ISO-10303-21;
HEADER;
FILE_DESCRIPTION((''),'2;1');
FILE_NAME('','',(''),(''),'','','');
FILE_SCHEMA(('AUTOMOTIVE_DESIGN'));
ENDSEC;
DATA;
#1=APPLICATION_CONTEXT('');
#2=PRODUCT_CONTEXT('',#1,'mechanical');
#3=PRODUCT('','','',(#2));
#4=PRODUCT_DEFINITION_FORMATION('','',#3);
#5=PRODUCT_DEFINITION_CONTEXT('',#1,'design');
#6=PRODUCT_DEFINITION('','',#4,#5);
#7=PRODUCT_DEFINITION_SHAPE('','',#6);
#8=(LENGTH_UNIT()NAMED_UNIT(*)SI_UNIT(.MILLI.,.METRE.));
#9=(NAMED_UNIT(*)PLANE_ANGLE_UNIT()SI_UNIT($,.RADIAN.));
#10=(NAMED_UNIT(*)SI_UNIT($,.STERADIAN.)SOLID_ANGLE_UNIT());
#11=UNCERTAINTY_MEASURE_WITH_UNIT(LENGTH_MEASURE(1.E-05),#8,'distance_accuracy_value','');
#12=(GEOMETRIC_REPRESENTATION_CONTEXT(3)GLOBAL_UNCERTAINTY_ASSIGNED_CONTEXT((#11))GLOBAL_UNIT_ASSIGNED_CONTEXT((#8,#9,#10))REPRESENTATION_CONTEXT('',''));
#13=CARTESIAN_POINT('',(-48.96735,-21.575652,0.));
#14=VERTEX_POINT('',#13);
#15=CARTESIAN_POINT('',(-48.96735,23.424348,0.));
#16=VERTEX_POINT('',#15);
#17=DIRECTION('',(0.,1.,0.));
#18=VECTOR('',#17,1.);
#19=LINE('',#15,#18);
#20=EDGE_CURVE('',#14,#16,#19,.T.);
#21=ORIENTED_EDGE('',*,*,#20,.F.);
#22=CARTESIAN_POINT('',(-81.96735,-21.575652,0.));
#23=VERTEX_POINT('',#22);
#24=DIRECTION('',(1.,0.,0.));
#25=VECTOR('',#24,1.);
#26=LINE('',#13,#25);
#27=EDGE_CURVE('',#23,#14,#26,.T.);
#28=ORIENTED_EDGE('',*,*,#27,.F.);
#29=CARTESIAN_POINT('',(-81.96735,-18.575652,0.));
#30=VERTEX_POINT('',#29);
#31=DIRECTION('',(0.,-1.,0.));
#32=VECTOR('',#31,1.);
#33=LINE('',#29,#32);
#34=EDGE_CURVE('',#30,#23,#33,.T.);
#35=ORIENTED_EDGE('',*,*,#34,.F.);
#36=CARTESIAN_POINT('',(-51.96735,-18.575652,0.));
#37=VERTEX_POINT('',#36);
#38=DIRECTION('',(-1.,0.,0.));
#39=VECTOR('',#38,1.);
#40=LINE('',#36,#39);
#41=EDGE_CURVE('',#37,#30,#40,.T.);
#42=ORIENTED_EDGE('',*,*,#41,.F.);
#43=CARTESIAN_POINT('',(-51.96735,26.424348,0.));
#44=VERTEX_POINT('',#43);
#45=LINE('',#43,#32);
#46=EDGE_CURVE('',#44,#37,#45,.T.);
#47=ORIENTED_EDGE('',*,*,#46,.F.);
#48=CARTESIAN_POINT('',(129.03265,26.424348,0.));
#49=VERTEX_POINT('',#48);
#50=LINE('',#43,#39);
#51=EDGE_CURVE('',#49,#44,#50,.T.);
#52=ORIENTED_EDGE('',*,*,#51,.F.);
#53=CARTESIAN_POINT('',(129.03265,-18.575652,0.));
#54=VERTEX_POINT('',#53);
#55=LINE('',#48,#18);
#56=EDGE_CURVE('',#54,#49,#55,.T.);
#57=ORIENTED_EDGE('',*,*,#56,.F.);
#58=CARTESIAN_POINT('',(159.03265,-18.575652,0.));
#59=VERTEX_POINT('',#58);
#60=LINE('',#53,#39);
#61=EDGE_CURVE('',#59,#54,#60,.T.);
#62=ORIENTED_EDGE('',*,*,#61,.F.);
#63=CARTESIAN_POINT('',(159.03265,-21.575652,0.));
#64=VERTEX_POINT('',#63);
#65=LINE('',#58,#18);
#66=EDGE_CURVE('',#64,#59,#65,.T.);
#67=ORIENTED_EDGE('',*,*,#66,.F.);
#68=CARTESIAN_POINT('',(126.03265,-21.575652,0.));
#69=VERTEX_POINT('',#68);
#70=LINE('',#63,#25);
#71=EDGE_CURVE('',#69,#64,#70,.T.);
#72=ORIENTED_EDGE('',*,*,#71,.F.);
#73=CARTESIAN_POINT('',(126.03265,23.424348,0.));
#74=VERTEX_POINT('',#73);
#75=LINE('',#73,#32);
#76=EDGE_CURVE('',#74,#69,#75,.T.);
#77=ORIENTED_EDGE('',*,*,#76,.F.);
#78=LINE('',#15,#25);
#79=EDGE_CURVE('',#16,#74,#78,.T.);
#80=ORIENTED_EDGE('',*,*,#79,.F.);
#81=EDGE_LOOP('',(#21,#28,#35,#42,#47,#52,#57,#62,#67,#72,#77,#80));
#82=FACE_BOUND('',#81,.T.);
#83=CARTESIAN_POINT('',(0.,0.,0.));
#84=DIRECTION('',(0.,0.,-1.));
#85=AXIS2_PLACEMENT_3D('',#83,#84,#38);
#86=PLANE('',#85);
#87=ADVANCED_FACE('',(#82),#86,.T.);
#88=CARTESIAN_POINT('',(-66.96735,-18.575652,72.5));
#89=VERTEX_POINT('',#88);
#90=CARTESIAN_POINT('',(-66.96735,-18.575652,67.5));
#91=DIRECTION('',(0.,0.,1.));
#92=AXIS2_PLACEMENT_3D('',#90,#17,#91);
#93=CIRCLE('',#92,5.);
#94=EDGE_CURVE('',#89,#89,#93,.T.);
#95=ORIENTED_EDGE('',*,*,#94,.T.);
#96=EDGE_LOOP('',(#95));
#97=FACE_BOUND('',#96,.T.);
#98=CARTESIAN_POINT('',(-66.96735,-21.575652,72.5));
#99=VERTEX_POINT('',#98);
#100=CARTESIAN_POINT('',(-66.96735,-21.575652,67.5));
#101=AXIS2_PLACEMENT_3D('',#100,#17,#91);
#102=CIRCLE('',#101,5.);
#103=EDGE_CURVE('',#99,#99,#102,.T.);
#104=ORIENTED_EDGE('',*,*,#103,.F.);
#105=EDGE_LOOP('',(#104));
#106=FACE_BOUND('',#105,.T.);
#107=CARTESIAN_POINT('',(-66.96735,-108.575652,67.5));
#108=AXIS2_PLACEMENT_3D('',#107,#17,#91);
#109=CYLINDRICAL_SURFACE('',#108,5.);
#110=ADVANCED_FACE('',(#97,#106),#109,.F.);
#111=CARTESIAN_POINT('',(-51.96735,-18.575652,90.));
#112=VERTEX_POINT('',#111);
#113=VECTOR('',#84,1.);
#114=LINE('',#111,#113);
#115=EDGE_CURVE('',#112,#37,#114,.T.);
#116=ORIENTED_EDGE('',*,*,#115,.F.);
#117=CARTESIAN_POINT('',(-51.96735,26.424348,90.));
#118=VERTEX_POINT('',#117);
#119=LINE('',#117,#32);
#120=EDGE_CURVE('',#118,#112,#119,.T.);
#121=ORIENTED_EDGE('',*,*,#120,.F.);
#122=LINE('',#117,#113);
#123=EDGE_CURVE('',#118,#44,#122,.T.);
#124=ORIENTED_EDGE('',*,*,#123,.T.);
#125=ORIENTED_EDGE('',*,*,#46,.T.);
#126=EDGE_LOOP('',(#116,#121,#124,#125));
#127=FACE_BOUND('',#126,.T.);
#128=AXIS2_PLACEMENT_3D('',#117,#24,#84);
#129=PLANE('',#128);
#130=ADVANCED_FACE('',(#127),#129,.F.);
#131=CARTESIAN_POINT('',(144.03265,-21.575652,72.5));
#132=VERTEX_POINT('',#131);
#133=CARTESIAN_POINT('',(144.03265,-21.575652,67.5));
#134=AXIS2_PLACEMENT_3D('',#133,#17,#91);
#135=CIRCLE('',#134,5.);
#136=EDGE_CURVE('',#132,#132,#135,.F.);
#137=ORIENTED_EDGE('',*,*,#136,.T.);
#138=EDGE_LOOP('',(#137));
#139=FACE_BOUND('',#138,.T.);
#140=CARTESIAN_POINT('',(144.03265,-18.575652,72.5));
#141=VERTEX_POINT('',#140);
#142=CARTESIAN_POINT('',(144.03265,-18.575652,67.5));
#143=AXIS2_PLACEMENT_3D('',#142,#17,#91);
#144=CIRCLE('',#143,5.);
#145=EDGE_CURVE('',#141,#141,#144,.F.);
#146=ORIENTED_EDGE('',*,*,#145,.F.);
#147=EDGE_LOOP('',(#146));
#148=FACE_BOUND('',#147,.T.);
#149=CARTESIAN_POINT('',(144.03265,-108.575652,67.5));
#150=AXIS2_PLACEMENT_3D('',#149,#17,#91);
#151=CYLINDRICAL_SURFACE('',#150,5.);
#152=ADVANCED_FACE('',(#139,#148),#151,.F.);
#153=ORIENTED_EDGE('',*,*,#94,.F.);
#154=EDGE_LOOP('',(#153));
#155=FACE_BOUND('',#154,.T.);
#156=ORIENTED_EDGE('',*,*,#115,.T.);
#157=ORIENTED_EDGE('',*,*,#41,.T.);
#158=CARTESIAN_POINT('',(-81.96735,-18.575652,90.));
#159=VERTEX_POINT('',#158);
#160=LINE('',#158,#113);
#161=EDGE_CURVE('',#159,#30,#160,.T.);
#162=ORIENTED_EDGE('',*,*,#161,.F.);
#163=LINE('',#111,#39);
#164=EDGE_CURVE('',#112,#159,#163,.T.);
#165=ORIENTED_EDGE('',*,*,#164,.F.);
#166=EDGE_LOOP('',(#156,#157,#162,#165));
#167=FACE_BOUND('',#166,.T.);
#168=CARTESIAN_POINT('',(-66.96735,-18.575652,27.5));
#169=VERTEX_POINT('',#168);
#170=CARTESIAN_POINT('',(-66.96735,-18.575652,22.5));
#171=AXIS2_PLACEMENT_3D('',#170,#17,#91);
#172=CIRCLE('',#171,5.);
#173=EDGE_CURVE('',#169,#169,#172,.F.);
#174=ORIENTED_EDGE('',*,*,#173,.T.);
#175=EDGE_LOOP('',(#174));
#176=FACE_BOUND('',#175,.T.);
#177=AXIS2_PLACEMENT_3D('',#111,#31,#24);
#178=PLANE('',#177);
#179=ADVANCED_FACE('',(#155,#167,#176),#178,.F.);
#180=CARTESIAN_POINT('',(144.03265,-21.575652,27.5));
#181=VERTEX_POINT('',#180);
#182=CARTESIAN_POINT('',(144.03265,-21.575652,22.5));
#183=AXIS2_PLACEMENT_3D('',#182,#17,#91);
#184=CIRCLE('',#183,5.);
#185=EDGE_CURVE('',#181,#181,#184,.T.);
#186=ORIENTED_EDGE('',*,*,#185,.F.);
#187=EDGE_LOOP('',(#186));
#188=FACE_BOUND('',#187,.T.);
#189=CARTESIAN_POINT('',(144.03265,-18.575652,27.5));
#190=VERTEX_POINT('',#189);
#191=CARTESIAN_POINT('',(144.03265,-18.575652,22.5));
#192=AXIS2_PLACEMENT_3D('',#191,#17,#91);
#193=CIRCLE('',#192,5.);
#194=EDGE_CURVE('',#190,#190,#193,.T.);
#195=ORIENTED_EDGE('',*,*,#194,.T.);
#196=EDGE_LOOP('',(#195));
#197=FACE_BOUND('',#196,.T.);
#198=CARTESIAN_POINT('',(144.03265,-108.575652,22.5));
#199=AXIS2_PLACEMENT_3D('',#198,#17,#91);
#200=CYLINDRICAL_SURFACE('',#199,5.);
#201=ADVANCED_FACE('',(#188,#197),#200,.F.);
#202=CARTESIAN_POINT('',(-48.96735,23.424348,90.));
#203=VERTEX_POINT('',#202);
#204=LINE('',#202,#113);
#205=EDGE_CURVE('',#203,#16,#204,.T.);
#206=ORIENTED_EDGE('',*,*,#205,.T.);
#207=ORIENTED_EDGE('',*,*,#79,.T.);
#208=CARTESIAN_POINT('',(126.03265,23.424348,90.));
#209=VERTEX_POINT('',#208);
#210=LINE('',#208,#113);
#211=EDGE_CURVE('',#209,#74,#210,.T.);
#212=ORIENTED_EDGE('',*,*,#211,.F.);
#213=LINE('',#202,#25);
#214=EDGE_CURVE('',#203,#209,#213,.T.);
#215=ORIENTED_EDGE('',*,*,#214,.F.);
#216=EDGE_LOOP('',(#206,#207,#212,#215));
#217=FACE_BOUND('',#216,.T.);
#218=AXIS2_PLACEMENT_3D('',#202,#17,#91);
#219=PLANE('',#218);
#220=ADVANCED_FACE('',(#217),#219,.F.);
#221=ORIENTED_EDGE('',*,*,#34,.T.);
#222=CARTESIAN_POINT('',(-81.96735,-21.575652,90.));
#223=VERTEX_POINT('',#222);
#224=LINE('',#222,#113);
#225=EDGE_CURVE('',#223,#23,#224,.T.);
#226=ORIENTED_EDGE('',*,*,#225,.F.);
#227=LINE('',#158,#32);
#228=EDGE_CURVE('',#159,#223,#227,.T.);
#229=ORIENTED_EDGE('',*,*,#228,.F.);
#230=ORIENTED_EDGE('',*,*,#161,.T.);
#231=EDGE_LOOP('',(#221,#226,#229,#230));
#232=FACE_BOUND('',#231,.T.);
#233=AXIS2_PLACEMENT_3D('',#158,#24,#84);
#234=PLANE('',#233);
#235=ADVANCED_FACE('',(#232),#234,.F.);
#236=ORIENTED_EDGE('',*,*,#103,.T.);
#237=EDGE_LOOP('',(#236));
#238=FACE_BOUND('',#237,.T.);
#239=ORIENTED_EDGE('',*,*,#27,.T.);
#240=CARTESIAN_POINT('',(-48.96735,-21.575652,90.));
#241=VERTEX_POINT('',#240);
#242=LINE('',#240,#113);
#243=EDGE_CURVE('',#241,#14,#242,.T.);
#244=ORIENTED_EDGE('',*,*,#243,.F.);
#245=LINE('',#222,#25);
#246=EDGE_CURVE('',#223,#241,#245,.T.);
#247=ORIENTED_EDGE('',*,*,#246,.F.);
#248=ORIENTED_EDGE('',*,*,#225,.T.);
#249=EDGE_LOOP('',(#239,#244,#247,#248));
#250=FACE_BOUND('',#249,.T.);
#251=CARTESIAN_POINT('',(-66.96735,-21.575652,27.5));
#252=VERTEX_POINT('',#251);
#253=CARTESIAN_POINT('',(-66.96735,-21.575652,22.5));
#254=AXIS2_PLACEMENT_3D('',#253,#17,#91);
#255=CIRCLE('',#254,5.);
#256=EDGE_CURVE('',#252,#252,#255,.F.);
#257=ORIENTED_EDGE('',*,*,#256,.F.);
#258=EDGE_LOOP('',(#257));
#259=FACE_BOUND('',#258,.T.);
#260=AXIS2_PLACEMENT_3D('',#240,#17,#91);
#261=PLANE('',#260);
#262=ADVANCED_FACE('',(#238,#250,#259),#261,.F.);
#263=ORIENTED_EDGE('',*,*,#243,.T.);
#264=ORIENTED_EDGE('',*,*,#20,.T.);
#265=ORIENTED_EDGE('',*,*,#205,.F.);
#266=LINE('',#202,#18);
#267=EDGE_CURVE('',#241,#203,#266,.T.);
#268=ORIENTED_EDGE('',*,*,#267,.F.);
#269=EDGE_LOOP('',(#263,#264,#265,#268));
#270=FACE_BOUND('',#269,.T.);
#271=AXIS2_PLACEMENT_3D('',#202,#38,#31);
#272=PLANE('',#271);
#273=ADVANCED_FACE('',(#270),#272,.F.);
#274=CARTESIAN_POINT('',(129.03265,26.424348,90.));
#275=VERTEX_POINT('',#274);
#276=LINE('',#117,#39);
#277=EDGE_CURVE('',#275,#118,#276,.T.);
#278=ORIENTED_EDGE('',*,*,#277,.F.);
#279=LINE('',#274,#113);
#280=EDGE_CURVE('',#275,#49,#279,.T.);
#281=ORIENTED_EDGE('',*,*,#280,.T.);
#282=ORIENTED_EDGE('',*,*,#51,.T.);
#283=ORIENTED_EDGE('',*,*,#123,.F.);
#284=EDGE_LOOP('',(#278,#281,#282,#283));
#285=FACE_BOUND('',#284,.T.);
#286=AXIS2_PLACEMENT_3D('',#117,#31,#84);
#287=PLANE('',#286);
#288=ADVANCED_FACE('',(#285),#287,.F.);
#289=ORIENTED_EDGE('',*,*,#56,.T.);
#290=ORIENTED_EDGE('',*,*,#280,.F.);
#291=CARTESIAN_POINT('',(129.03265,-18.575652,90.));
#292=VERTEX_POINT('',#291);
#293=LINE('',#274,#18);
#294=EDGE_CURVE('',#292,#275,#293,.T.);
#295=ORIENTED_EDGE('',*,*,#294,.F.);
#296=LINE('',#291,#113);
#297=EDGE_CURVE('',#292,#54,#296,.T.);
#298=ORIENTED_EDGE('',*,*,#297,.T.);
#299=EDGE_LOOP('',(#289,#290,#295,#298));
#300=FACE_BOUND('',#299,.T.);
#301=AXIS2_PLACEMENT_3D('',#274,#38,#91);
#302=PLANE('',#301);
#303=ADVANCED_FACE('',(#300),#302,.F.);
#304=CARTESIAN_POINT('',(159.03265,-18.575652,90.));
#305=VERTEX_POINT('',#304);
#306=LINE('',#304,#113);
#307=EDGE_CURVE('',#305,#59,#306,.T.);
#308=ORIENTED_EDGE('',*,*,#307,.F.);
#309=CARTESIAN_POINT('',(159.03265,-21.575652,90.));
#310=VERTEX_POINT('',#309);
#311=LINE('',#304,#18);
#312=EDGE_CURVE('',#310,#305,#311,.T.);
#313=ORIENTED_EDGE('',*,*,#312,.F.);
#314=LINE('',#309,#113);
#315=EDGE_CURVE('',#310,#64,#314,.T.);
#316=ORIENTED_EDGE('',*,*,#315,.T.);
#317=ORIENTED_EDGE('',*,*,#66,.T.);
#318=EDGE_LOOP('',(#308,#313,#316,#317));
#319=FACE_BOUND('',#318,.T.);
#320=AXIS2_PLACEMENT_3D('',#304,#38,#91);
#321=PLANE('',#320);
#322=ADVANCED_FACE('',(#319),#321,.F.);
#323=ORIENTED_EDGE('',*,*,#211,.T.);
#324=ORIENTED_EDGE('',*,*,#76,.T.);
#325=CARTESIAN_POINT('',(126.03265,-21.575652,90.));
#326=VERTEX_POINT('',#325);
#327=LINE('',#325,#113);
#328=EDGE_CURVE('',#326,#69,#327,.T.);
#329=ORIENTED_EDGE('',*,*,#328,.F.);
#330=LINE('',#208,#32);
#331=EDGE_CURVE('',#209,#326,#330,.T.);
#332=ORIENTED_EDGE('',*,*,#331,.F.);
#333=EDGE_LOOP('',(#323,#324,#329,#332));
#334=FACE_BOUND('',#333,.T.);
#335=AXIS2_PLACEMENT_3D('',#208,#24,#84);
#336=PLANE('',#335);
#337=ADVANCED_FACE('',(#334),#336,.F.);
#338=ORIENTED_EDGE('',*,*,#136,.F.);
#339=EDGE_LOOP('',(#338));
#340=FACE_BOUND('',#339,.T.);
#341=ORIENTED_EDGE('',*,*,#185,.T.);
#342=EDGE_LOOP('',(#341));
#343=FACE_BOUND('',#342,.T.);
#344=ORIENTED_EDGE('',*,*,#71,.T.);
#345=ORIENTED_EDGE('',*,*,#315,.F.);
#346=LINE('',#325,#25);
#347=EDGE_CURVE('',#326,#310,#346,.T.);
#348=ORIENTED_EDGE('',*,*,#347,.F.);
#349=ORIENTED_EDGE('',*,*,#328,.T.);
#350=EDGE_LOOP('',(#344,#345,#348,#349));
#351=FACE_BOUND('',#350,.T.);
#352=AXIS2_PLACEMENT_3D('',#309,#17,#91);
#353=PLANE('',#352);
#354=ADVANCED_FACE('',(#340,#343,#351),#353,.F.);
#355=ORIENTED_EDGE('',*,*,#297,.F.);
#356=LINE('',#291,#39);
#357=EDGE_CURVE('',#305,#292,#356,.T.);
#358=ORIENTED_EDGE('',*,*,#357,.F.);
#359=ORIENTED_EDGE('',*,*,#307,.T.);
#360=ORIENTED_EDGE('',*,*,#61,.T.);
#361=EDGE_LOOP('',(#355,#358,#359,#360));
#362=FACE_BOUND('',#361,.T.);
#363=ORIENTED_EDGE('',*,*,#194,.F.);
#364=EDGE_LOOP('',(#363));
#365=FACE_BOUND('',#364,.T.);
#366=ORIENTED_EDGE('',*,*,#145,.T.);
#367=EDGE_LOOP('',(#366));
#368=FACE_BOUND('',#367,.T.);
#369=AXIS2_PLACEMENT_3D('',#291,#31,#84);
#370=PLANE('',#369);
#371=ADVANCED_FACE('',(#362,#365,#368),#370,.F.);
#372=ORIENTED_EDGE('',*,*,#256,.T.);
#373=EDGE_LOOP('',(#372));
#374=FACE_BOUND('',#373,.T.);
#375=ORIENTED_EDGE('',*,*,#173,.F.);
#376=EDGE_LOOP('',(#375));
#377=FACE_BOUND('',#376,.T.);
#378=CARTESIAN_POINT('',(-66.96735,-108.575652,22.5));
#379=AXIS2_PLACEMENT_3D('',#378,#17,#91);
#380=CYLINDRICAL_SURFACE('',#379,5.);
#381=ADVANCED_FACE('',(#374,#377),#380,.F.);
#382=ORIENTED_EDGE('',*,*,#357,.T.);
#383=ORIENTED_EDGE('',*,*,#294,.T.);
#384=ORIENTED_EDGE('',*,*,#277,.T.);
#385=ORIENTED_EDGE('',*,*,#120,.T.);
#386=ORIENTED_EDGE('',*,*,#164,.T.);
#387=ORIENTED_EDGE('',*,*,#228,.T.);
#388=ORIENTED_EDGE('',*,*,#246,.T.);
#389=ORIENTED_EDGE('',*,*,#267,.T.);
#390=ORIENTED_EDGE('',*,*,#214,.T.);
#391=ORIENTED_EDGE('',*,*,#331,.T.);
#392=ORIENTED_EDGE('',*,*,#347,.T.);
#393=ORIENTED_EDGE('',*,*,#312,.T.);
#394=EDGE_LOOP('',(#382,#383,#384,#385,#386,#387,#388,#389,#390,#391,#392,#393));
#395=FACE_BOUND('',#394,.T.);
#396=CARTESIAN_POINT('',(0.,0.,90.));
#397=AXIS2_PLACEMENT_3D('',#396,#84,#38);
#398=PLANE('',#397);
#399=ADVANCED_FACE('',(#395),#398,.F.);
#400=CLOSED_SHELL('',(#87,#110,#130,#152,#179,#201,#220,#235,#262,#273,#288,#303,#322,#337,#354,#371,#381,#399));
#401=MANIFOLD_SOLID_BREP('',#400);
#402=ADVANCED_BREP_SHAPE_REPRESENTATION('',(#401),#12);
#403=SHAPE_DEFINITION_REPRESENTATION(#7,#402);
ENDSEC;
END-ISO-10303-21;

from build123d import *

# Parameters (mm, degrees)
BOSS_EXTRUDE1_DEPTH = 90
SKETCH2_R           = 5
CUT_EXTRUDE1_DEPTH  = 90


with BuildPart() as part:
    # Sketch1 → Boss-Extrude1 (new body)
    with BuildSketch(Plane.XY):
        Polygon((-51.967349513, 26.424347916), (129.032650487, 26.424347916), (129.032650487, -18.575652084), (159.032650487, -18.575652084), (159.032650487, -21.575652084), (129.032650487, -21.575652084), (126.032650487, -21.575652084), (126.032650487, 23.424347916), (-48.967349513, 23.424347916), (-48.967349513, -21.575652084), (-51.967349513, -21.575652084), (-81.967349513, -21.575652084), (-81.967349513, -18.575652084), (-51.967349513, -18.575652084), align=None)
    extrude(amount=BOSS_EXTRUDE1_DEPTH)

    # Sketch2 → Cut-Extrude1 (cut)
    with BuildSketch(Plane(origin=(0, -18.575652084, 0), x_dir=(1, 0, 0), z_dir=(0, 1, 0))):
        with Locations((144.032650487, -22.5)):
            Circle(SKETCH2_R)
        with Locations((144.032650487, -67.5)):
            Circle(SKETCH2_R)
        with Locations((-66.967349513, -67.5)):
            Circle(SKETCH2_R)
        with Locations((-66.967349513, -22.5)):
            Circle(SKETCH2_R)
    extrude(amount=-CUT_EXTRUDE1_DEPTH, mode=Mode.SUBTRACT)


solid = part.part
